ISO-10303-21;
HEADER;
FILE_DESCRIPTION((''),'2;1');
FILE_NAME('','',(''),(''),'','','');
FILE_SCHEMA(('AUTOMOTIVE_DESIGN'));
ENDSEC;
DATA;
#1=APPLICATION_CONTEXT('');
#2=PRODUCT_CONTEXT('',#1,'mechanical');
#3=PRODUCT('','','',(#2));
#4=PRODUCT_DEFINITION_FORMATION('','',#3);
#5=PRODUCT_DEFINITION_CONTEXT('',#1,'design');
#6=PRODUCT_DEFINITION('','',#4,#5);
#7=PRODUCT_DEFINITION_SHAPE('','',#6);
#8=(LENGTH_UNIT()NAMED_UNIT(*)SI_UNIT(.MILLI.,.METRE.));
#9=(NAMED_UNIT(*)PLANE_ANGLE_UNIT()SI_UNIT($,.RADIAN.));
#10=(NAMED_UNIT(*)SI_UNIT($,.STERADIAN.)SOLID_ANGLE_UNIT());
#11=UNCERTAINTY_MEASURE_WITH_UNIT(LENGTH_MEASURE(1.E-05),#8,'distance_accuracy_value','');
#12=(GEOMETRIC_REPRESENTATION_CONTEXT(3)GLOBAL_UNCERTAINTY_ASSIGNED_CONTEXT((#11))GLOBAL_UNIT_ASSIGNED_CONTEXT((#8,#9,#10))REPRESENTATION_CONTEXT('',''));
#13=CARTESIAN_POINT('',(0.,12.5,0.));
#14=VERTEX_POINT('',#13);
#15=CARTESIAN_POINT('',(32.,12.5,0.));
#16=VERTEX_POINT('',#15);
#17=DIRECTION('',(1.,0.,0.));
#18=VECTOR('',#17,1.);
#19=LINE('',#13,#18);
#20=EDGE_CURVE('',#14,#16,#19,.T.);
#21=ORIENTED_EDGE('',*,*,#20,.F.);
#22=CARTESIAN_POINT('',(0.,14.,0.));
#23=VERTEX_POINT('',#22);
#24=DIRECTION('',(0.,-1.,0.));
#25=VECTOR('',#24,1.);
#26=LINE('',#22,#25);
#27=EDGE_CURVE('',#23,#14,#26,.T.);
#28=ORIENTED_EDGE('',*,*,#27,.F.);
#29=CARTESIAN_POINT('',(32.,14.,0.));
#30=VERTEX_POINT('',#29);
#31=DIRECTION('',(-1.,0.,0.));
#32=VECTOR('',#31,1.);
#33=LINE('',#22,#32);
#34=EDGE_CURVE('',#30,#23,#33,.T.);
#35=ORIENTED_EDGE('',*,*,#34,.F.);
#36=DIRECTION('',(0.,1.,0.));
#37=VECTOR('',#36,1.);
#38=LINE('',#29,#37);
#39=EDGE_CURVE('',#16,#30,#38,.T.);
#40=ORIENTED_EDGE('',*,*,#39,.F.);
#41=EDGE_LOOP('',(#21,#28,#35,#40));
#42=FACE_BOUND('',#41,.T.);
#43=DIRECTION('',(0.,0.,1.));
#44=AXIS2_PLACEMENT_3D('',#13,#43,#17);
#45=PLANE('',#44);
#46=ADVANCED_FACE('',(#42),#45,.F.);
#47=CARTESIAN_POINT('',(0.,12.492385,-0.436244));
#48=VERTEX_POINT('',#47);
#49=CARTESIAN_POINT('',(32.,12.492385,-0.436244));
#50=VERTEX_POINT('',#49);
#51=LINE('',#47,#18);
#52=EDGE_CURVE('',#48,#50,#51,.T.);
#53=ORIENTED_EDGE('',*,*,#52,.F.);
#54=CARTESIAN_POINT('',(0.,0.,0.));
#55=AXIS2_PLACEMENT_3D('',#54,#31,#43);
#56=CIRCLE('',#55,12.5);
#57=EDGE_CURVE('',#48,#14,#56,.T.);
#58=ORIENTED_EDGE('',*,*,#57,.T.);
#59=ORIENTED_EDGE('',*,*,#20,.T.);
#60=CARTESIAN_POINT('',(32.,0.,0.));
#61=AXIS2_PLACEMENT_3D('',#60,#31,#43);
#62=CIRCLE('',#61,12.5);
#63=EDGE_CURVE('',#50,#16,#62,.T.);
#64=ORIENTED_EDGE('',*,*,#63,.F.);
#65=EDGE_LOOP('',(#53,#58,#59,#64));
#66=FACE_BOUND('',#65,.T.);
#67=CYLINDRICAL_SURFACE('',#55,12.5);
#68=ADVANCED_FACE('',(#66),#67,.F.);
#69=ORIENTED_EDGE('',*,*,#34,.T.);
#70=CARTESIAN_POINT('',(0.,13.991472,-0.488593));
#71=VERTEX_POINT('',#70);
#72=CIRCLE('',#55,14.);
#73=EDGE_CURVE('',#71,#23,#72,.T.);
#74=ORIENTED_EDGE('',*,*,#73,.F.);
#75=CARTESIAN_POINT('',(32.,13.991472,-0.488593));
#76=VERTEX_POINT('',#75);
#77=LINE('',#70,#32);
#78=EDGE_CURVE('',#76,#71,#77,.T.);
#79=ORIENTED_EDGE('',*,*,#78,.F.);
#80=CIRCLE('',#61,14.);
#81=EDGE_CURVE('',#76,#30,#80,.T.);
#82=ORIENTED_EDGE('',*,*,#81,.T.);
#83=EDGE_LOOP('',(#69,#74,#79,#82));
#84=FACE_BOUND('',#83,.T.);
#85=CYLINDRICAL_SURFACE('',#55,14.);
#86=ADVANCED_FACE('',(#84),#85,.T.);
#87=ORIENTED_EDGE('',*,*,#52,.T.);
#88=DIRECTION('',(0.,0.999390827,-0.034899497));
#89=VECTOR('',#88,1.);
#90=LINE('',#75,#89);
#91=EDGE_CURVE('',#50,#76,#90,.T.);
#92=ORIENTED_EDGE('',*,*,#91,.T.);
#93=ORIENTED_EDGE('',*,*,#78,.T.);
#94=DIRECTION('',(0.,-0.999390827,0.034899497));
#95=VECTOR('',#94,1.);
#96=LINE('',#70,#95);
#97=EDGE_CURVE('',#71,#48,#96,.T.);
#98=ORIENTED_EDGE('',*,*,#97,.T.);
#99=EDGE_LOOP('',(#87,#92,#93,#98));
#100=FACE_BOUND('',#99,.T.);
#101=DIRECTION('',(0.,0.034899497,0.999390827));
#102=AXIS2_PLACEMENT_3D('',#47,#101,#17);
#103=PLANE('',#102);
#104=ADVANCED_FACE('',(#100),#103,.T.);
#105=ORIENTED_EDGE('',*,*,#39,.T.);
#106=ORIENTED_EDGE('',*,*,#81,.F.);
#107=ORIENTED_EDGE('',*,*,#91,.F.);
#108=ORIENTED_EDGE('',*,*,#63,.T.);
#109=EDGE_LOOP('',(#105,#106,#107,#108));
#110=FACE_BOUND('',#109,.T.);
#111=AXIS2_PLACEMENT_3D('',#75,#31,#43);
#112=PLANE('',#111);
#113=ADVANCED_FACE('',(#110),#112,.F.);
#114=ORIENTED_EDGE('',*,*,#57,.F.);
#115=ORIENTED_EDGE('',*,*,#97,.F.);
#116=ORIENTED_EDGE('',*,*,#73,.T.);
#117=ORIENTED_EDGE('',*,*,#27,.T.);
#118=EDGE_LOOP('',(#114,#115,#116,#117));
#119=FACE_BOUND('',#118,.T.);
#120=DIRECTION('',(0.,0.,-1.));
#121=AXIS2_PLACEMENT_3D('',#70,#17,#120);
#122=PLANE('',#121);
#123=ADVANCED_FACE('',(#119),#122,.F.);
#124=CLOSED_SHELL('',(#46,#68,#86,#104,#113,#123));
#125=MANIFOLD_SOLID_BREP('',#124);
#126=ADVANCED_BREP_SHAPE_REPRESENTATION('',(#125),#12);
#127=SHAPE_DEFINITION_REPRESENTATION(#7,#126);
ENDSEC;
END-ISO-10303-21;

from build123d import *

# Parameters (mm, degrees)
ESQUISSE1_W           = 32
ESQUISSE1_H           = 1.5
BASE_R_VOLUTION_ANGLE = 358


with BuildPart() as part:
    # Esquisse1 → Base-Révolution (revolve)
    with BuildSketch(Plane.XY):
        with Locations((16, 13.25)):
            Rectangle(ESQUISSE1_W, ESQUISSE1_H)
    revolve(axis=Axis((0, 0, 0), (1, 0, 0)), revolution_arc=BASE_R_VOLUTION_ANGLE)


solid = part.part
